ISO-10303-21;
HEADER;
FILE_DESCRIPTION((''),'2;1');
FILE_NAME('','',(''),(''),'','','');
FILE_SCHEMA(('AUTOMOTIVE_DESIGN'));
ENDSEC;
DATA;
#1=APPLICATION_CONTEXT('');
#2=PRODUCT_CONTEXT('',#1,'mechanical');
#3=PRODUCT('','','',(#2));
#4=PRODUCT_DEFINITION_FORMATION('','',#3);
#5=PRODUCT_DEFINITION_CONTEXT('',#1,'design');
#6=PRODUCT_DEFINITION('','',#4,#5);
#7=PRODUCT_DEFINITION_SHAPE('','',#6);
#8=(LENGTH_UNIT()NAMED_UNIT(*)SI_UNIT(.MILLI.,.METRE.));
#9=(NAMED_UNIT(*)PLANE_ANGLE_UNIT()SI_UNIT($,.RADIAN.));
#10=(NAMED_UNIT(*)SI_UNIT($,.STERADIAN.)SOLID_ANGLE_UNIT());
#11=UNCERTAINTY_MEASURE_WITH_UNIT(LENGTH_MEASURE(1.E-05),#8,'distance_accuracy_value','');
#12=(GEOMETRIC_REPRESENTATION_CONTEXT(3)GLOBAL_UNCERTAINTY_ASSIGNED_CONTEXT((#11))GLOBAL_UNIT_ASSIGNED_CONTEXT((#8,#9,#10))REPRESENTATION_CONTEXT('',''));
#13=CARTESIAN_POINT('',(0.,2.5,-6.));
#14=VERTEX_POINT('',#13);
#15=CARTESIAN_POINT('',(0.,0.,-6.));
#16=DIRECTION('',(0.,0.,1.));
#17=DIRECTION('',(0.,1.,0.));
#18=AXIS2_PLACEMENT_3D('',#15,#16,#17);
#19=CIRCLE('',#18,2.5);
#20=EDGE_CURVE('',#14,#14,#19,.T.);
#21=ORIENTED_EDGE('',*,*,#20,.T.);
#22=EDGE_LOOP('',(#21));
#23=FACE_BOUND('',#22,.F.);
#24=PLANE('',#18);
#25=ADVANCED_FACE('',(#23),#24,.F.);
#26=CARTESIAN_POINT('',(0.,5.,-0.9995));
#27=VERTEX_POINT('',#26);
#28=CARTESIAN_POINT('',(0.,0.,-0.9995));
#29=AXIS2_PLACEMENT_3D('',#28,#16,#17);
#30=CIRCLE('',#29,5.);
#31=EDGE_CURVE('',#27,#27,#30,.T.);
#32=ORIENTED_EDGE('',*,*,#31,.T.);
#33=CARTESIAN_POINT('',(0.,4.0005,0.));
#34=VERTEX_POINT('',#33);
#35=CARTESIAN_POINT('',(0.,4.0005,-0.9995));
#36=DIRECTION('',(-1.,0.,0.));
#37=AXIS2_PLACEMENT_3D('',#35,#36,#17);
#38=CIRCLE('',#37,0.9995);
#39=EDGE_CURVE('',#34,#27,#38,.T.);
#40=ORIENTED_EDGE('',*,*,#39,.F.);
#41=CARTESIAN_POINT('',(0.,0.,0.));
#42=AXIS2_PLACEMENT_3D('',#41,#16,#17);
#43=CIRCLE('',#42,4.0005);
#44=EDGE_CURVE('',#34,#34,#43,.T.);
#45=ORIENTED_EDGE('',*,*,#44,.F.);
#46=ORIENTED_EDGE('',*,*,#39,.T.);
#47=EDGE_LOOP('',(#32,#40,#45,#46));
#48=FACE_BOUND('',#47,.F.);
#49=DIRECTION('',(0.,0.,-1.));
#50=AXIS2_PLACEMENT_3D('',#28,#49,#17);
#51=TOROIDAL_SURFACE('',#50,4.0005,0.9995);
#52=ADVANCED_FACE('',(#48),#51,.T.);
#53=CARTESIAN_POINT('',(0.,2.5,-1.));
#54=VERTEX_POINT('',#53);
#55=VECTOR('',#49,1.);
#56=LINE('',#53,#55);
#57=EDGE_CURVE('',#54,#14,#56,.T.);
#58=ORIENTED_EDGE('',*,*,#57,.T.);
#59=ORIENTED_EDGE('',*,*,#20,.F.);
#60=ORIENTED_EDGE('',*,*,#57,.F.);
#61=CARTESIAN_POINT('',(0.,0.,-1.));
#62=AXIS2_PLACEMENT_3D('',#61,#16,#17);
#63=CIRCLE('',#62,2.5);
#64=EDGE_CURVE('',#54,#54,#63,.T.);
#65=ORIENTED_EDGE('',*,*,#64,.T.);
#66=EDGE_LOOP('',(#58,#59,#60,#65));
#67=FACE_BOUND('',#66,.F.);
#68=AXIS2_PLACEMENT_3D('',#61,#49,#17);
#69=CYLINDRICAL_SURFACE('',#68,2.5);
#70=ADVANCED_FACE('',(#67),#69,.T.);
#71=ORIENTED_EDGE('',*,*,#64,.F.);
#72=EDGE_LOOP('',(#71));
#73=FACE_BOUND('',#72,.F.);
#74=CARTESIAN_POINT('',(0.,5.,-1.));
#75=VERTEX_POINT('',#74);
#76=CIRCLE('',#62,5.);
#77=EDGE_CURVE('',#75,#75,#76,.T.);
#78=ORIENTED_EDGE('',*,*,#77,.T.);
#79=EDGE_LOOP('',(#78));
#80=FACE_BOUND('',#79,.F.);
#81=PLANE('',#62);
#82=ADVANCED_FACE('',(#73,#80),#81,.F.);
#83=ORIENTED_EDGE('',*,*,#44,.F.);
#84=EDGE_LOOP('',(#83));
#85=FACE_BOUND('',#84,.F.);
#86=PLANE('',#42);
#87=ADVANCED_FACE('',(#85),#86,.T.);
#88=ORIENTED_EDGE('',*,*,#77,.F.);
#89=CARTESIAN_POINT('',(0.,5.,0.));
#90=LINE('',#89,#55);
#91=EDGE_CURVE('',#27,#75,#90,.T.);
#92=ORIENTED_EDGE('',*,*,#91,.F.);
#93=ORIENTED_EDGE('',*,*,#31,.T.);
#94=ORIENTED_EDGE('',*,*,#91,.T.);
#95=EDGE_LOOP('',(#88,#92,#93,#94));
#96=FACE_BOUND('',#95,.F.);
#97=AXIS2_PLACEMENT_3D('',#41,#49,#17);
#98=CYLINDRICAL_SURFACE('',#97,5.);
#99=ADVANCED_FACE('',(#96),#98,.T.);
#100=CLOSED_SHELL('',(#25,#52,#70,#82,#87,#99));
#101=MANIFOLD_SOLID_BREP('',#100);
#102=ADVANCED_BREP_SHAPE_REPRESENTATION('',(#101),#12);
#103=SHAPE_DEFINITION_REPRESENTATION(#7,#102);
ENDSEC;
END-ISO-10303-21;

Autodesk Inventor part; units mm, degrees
ref_plane "YZ Plane" through (0, 0, 0) normal (1, 0, 0) x (0, 1, 0)
ref_plane "XZ Plane" through (0, 0, 0) normal (0, 1, 0) x (-1, 0, 0)
ref_plane "XY Plane" through (0, 0, 0) normal (0, 0, 1) x (1, 0, 0)
sketch "Sketch2" plane through (0, 0, 0) normal (1, 0, 0) x (0, 1, 0)
  line L0 (0, 0) -> (5, 0)
  line L1 (5, 0) -> (5, -1)
  line L2 (5, -1) -> (2.5, -1)
  line L3 (2.5, -1) -> (2.5, -6)
  line L4 (2.5, -6) -> (0, -6)
  line L5 (0, -6) -> (0, 0)
  dimension "d0" = 5
  dimension "d1" = 1
  dimension "d2" = 2.5
  dimension "d3" = 5
revolve "Revolution1" add sketch "Sketch2" angle 360 about axis through (0, 0, -6) along (0, 0, 1)
fillet "Fillet1" radius 1 1 edges at (0, -5, 0)
properties part number "pin"
